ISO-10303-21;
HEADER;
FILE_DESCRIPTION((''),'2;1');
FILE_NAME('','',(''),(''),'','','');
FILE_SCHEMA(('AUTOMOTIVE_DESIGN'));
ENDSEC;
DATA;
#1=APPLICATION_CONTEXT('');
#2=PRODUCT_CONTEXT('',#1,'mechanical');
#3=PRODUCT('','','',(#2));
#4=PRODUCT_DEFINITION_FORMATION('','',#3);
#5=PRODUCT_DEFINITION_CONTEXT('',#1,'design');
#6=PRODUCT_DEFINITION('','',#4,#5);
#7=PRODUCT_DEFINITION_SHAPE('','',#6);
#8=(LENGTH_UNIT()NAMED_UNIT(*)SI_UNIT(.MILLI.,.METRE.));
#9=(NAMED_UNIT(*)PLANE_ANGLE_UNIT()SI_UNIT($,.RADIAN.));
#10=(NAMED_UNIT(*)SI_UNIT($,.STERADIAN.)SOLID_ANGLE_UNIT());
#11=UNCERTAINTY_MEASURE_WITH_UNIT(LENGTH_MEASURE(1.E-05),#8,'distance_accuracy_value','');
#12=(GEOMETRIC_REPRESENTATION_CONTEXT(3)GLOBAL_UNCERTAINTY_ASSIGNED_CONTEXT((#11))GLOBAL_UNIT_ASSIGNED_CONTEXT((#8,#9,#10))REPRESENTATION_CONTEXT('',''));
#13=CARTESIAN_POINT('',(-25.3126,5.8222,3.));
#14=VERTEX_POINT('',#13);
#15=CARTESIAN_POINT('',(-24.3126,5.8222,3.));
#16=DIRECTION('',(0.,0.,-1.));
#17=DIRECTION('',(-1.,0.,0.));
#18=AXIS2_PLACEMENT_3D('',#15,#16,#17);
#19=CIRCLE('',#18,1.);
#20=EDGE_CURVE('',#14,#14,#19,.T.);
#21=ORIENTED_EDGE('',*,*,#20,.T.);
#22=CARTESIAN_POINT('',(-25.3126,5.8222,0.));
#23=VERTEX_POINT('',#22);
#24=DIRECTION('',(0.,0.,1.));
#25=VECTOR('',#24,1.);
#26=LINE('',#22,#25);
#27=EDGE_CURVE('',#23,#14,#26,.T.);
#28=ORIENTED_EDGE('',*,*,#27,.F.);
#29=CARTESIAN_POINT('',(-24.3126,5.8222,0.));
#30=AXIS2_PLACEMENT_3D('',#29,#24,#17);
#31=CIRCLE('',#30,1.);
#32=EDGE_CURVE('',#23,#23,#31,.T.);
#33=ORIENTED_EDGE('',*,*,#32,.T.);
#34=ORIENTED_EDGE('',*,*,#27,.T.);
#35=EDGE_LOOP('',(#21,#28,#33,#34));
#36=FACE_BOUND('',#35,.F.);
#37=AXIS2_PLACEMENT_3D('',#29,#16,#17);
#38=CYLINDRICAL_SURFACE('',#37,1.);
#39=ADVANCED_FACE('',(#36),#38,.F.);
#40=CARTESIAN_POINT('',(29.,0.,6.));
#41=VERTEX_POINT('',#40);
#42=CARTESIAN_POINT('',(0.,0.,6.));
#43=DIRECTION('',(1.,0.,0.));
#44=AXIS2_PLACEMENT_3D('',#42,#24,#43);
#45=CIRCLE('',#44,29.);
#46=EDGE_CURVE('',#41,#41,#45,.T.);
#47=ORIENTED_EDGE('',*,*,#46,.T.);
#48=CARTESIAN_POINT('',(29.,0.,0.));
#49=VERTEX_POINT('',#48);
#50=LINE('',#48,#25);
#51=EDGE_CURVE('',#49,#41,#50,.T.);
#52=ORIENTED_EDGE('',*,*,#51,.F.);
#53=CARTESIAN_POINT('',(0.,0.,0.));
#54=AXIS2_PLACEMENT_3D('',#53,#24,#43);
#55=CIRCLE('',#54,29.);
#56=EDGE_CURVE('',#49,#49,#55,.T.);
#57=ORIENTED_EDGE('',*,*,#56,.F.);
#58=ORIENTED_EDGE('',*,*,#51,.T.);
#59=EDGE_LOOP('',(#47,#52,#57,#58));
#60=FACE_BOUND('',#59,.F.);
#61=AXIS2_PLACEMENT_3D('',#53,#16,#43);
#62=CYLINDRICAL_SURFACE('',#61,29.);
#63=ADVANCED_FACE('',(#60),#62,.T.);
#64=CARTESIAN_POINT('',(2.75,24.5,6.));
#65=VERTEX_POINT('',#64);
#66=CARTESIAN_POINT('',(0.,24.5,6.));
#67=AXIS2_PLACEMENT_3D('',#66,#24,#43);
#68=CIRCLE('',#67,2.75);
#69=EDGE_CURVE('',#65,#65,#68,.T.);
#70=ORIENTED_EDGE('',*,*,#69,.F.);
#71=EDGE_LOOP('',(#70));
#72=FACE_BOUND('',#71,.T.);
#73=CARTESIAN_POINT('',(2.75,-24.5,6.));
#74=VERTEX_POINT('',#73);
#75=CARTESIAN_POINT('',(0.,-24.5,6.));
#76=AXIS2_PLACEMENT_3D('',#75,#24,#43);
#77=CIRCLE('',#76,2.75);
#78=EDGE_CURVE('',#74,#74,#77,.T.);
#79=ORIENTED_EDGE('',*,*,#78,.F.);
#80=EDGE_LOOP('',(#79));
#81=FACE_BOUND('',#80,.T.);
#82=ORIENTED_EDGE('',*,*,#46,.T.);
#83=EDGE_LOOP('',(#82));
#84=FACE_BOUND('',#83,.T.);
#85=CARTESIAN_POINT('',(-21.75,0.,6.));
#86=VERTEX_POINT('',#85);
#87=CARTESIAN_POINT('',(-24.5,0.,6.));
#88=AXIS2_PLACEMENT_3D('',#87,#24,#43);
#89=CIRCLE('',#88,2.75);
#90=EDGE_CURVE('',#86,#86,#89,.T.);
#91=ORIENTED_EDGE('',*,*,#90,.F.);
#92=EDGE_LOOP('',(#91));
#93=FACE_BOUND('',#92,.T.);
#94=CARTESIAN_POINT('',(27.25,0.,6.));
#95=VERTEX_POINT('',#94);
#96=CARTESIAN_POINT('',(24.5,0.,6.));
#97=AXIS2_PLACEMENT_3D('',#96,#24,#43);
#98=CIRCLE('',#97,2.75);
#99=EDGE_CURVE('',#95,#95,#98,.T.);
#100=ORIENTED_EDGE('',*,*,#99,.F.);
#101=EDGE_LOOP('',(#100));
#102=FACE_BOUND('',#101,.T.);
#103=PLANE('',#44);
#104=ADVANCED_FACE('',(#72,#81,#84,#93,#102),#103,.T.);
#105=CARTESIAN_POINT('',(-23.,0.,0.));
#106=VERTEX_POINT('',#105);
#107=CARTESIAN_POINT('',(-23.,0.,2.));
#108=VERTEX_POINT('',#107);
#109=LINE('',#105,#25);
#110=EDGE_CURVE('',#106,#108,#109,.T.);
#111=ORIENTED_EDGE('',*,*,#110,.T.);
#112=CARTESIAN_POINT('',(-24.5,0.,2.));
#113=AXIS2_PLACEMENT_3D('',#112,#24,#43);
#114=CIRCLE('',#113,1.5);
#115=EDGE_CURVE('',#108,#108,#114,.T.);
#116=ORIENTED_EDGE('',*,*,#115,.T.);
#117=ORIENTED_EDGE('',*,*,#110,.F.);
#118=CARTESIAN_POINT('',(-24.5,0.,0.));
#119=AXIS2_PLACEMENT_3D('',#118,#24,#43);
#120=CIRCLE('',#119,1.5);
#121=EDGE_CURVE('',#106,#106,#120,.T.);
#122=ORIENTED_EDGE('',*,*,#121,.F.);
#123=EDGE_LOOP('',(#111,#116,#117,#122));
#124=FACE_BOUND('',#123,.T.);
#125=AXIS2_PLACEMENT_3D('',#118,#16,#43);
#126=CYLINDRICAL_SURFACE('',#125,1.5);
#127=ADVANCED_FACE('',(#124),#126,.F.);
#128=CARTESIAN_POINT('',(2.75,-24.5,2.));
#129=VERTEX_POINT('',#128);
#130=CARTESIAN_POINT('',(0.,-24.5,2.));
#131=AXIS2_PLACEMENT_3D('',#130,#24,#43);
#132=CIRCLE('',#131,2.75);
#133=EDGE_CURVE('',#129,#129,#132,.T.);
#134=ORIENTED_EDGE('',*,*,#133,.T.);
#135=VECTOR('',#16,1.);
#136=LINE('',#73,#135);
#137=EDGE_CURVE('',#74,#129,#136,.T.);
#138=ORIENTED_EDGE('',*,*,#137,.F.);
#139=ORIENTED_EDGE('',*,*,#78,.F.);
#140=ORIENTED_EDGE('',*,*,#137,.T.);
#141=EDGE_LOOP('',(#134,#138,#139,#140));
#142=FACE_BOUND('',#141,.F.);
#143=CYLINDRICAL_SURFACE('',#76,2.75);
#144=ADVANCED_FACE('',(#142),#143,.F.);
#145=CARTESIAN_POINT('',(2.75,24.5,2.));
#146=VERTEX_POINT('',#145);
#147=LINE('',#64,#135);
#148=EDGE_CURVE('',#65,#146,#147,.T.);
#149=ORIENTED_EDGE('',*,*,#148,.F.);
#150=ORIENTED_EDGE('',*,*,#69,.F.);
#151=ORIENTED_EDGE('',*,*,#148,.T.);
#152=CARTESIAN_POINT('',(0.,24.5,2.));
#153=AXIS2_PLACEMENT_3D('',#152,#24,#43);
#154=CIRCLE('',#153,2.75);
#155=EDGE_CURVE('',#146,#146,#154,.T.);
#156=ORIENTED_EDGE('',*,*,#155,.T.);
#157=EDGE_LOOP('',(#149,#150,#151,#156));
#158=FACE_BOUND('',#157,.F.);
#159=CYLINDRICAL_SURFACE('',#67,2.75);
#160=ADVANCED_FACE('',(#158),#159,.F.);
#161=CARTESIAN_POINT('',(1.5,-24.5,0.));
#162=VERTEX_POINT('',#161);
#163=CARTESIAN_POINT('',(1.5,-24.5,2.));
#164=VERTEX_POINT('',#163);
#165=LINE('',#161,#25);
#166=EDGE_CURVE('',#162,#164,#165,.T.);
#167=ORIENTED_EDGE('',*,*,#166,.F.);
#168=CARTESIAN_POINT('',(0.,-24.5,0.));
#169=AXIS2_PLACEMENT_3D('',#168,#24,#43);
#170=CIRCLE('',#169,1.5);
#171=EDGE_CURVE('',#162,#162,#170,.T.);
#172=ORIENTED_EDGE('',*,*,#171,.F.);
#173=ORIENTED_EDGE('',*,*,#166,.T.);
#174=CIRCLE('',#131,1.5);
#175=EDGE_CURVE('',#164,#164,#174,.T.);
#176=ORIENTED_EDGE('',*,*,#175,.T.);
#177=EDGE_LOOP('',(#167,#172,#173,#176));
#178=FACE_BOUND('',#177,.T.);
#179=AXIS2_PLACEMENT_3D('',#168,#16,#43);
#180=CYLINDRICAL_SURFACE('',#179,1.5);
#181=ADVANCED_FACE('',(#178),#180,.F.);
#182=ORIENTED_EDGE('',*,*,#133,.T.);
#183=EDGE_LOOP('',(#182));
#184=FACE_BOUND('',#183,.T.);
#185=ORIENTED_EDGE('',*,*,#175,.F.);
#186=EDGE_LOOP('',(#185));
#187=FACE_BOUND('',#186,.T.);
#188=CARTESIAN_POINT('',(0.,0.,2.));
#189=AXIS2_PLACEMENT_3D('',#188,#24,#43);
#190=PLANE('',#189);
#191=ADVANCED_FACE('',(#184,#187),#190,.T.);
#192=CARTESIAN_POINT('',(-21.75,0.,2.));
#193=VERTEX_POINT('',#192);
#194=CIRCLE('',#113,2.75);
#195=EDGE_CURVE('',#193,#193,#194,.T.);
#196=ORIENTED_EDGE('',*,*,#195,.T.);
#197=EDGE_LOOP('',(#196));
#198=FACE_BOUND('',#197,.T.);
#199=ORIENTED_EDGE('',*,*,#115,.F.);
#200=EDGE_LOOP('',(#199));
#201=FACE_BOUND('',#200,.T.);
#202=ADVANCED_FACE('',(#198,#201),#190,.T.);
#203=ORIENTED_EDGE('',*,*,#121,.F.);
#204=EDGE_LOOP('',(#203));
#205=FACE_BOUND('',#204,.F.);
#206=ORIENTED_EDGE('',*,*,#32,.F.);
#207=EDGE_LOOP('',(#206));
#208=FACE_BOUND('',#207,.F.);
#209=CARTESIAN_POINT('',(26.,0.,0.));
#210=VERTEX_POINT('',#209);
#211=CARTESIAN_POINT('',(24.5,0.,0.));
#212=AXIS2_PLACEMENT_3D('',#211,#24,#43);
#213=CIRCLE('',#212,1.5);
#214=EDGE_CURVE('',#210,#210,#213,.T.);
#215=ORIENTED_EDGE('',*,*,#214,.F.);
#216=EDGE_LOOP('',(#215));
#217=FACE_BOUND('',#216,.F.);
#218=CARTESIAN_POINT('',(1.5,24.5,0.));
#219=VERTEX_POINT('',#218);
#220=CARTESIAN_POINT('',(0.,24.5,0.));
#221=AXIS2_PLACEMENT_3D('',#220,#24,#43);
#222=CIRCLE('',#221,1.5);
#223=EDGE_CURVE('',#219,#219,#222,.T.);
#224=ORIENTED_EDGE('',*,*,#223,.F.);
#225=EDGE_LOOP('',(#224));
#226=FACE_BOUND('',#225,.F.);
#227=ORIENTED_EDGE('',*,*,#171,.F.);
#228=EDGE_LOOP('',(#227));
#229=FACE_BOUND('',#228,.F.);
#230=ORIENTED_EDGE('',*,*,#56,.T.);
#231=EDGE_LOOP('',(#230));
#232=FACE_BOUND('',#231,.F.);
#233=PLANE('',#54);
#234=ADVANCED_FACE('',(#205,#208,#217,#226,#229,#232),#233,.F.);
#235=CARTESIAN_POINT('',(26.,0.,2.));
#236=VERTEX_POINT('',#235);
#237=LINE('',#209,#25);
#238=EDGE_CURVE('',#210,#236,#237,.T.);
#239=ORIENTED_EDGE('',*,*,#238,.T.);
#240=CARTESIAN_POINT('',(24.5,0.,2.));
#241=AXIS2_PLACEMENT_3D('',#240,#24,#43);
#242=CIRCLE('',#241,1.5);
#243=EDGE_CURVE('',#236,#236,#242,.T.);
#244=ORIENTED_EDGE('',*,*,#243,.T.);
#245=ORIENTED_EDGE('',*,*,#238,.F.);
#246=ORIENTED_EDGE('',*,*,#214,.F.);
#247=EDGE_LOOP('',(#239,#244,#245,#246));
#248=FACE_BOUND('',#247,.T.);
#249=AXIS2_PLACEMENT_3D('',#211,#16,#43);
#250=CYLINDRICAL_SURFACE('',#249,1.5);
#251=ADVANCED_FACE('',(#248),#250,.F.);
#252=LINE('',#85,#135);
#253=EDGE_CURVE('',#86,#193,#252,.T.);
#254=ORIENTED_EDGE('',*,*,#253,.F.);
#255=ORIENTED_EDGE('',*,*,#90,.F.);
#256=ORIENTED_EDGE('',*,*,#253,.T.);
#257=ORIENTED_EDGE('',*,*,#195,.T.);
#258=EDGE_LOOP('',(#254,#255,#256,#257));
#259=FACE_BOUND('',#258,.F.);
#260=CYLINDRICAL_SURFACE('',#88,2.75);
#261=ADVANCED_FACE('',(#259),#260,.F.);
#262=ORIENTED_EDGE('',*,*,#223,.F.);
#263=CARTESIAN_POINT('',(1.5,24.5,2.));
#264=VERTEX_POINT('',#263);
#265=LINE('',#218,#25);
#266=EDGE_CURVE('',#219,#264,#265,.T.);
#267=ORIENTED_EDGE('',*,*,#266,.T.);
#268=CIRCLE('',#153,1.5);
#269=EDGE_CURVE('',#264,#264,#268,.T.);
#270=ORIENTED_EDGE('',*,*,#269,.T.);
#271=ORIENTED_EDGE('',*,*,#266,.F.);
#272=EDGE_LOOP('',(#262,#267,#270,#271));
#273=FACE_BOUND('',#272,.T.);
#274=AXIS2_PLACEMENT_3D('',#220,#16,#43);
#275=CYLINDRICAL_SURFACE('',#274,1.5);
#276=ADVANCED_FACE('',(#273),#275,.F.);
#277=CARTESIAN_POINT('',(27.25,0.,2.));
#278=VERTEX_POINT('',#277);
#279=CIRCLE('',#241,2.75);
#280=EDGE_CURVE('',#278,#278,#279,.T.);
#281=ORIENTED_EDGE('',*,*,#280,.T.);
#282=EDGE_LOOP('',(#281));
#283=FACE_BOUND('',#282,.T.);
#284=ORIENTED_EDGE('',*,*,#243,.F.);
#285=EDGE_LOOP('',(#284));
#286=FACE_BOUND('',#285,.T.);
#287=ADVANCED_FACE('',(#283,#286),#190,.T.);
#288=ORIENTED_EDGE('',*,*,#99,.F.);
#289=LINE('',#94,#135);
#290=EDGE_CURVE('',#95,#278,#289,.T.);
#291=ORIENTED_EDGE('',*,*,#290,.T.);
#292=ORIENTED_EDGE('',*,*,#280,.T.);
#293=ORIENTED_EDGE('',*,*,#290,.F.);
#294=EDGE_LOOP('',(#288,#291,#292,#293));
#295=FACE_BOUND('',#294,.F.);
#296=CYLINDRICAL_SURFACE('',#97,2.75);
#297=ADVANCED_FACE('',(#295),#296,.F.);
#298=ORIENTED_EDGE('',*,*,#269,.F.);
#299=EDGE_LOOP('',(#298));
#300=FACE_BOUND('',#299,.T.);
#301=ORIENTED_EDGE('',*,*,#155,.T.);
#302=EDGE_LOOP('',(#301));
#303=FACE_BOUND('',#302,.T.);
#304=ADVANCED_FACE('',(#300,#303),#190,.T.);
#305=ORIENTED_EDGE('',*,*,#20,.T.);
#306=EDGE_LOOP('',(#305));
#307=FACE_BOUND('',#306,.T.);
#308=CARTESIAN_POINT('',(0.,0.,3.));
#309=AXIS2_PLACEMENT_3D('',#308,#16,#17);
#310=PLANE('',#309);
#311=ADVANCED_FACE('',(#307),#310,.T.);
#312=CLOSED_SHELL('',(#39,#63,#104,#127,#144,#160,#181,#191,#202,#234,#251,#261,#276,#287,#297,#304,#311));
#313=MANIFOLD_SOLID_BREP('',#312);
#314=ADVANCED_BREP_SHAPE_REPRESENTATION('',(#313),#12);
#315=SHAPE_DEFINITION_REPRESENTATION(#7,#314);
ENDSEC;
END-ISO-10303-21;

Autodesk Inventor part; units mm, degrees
ref_plane "YZ Plane" through (0, 0, 0) normal (1, 0, 0) x (0, 1, 0)
ref_plane "XZ Plane" through (0, 0, 0) normal (0, 1, 0) x (-1, 0, 0)
ref_plane "XY Plane" through (0, 0, 0) normal (0, 0, 1) x (1, 0, 0)
sketch "스케치1" plane through (0, 0, 0) normal (0, 0, 1) x (1, 0, 0)
  circle A0 centre (0, 0) radius 29
  circle A1 centre (-24.5, 0) radius 1.5
  circle A2 centre (-24.5, 0) radius 2.75
  circle A3 centre (0, -24.5) radius 1.5
  circle A4 centre (0, -24.5) radius 2.75
  circle A5 centre (24.5, 0) radius 1.5
  circle A6 centre (24.5, 0) radius 2.75
  circle A7 centre (0, 24.5) radius 1.5
  circle A8 centre (0, 24.5) radius 2.75
  dimension "d0" = 58
  dimension "d1" = 3
  dimension "d2" = 5.5
  dimension "d3" = 24.5
  dimension "d6" = 360
extrude "돌출1" add sketch "스케치1" along normal blind 6 contours A0 | A2 | A4 | A6 | A8
sketch "스케치2" plane through (0, 0, 6) normal (0, 0, 1) x (1, 0, 0)
  circle A0 centre (0, 24.5) radius 1.5 projected
  circle A1 centre (24.5, 0) radius 1.5 projected
  circle A2 centre (0, -24.5) radius 1.5 projected
  circle A3 centre (-24.5, 0) radius 1.5 projected
  circle A4 centre (-24.5, 0) radius 2.75 projected
  circle A5 centre (24.5, 0) radius 2.75 projected
  circle A6 centre (0, -24.5) radius 2.75 projected
  circle A7 centre (0, 24.5) radius 2.75 projected
extrude "돌출2" cut sketch "스케치2" against normal blind 4
sketch "스케치5" plane through (0, 0, 0) normal (0, 0, -1) x (-1, 0, 0)
  circle A0 centre (0, 0) radius 65 projected
  circle A1 centre (7.157, 23.4313) radius 1 projected
  line L0 (22.2881, 36.3872) -> (18.0584, 32.156) projected
  arc A2 (18.0584, 32.156) -> (18.0588, 29.3276) centre (19.4728, 30.742) ccw projected
  line L1 (18.0588, 29.3276) -> (29.3745, 18.0158) projected
  arc A3 (29.3745, 18.0158) -> (32.2029, 18.0163) centre (30.7884, 19.4302) ccw projected
  line L2 (32.2029, 18.0163) -> (36.4326, 22.2474) projected
  arc A4 (36.4326, 22.2474) -> (36.4322, 25.0758) centre (35.0182, 23.6614) ccw projected
  line L3 (36.4322, 25.0758) -> (25.1165, 36.3876) projected
  arc A5 (25.1165, 36.3876) -> (22.2881, 36.3872) centre (23.7025, 34.9732) ccw projected
  circle A6 centre (0, 24.5) radius 1.2295 projected
  circle A7 centre (-24.5, 0) radius 1.2295 projected
  circle A8 centre (0, -24.5) radius 1.2295 projected
  circle A9 centre (24.5, 0) radius 1.2295 projected
  circle A10 centre (0, 51.0531) radius 2.5 projected
  circle A11 centre (0, -51.0531) radius 2.5 projected
  circle A12 centre (-51.0531, 0) radius 2.5 projected
  circle A13 centre (51.0531, 0) radius 2.5 projected
  circle A14 centre (-22.9994, -55.4169) radius 1.5 projected
  circle A15 centre (55.4169, -22.9994) radius 1.5 projected
  circle A16 centre (22.9994, 55.4169) radius 1.5 projected
  circle A17 centre (-55.4169, 22.9994) radius 1.5 projected
  circle A18 centre (-22.9226, 55.4487) radius 1.5 projected
  circle A19 centre (55.4487, 22.9226) radius 1.5 projected
  circle A20 centre (22.9226, -55.4487) radius 1.5 projected
  circle A21 centre (-55.4487, -22.9226) radius 1.5 projected
  circle A22 centre (0, 0) radius 65 projected
  circle A23 centre (0, 0) radius 25
  line L4 (-20.0138, -19.9861) -> (19.9861, -20.0138) projected
  line L5 (19.9861, -20.0138) -> (20.0138, 19.9861) projected
  line L6 (20.0138, 19.9861) -> (-19.9861, 20.0138) projected
  line L7 (-19.9861, 20.0138) -> (-20.0138, -19.9861) projected
  circle A24 centre (24.3126, 5.8222) radius 1
  dimension "d14" = 50
  dimension "d15" = 2
extrude "돌출3" cut sketch "스케치5" against normal blind 3 contours A24 A23 | A23 A24
properties part number "접촉부 철판가공"
